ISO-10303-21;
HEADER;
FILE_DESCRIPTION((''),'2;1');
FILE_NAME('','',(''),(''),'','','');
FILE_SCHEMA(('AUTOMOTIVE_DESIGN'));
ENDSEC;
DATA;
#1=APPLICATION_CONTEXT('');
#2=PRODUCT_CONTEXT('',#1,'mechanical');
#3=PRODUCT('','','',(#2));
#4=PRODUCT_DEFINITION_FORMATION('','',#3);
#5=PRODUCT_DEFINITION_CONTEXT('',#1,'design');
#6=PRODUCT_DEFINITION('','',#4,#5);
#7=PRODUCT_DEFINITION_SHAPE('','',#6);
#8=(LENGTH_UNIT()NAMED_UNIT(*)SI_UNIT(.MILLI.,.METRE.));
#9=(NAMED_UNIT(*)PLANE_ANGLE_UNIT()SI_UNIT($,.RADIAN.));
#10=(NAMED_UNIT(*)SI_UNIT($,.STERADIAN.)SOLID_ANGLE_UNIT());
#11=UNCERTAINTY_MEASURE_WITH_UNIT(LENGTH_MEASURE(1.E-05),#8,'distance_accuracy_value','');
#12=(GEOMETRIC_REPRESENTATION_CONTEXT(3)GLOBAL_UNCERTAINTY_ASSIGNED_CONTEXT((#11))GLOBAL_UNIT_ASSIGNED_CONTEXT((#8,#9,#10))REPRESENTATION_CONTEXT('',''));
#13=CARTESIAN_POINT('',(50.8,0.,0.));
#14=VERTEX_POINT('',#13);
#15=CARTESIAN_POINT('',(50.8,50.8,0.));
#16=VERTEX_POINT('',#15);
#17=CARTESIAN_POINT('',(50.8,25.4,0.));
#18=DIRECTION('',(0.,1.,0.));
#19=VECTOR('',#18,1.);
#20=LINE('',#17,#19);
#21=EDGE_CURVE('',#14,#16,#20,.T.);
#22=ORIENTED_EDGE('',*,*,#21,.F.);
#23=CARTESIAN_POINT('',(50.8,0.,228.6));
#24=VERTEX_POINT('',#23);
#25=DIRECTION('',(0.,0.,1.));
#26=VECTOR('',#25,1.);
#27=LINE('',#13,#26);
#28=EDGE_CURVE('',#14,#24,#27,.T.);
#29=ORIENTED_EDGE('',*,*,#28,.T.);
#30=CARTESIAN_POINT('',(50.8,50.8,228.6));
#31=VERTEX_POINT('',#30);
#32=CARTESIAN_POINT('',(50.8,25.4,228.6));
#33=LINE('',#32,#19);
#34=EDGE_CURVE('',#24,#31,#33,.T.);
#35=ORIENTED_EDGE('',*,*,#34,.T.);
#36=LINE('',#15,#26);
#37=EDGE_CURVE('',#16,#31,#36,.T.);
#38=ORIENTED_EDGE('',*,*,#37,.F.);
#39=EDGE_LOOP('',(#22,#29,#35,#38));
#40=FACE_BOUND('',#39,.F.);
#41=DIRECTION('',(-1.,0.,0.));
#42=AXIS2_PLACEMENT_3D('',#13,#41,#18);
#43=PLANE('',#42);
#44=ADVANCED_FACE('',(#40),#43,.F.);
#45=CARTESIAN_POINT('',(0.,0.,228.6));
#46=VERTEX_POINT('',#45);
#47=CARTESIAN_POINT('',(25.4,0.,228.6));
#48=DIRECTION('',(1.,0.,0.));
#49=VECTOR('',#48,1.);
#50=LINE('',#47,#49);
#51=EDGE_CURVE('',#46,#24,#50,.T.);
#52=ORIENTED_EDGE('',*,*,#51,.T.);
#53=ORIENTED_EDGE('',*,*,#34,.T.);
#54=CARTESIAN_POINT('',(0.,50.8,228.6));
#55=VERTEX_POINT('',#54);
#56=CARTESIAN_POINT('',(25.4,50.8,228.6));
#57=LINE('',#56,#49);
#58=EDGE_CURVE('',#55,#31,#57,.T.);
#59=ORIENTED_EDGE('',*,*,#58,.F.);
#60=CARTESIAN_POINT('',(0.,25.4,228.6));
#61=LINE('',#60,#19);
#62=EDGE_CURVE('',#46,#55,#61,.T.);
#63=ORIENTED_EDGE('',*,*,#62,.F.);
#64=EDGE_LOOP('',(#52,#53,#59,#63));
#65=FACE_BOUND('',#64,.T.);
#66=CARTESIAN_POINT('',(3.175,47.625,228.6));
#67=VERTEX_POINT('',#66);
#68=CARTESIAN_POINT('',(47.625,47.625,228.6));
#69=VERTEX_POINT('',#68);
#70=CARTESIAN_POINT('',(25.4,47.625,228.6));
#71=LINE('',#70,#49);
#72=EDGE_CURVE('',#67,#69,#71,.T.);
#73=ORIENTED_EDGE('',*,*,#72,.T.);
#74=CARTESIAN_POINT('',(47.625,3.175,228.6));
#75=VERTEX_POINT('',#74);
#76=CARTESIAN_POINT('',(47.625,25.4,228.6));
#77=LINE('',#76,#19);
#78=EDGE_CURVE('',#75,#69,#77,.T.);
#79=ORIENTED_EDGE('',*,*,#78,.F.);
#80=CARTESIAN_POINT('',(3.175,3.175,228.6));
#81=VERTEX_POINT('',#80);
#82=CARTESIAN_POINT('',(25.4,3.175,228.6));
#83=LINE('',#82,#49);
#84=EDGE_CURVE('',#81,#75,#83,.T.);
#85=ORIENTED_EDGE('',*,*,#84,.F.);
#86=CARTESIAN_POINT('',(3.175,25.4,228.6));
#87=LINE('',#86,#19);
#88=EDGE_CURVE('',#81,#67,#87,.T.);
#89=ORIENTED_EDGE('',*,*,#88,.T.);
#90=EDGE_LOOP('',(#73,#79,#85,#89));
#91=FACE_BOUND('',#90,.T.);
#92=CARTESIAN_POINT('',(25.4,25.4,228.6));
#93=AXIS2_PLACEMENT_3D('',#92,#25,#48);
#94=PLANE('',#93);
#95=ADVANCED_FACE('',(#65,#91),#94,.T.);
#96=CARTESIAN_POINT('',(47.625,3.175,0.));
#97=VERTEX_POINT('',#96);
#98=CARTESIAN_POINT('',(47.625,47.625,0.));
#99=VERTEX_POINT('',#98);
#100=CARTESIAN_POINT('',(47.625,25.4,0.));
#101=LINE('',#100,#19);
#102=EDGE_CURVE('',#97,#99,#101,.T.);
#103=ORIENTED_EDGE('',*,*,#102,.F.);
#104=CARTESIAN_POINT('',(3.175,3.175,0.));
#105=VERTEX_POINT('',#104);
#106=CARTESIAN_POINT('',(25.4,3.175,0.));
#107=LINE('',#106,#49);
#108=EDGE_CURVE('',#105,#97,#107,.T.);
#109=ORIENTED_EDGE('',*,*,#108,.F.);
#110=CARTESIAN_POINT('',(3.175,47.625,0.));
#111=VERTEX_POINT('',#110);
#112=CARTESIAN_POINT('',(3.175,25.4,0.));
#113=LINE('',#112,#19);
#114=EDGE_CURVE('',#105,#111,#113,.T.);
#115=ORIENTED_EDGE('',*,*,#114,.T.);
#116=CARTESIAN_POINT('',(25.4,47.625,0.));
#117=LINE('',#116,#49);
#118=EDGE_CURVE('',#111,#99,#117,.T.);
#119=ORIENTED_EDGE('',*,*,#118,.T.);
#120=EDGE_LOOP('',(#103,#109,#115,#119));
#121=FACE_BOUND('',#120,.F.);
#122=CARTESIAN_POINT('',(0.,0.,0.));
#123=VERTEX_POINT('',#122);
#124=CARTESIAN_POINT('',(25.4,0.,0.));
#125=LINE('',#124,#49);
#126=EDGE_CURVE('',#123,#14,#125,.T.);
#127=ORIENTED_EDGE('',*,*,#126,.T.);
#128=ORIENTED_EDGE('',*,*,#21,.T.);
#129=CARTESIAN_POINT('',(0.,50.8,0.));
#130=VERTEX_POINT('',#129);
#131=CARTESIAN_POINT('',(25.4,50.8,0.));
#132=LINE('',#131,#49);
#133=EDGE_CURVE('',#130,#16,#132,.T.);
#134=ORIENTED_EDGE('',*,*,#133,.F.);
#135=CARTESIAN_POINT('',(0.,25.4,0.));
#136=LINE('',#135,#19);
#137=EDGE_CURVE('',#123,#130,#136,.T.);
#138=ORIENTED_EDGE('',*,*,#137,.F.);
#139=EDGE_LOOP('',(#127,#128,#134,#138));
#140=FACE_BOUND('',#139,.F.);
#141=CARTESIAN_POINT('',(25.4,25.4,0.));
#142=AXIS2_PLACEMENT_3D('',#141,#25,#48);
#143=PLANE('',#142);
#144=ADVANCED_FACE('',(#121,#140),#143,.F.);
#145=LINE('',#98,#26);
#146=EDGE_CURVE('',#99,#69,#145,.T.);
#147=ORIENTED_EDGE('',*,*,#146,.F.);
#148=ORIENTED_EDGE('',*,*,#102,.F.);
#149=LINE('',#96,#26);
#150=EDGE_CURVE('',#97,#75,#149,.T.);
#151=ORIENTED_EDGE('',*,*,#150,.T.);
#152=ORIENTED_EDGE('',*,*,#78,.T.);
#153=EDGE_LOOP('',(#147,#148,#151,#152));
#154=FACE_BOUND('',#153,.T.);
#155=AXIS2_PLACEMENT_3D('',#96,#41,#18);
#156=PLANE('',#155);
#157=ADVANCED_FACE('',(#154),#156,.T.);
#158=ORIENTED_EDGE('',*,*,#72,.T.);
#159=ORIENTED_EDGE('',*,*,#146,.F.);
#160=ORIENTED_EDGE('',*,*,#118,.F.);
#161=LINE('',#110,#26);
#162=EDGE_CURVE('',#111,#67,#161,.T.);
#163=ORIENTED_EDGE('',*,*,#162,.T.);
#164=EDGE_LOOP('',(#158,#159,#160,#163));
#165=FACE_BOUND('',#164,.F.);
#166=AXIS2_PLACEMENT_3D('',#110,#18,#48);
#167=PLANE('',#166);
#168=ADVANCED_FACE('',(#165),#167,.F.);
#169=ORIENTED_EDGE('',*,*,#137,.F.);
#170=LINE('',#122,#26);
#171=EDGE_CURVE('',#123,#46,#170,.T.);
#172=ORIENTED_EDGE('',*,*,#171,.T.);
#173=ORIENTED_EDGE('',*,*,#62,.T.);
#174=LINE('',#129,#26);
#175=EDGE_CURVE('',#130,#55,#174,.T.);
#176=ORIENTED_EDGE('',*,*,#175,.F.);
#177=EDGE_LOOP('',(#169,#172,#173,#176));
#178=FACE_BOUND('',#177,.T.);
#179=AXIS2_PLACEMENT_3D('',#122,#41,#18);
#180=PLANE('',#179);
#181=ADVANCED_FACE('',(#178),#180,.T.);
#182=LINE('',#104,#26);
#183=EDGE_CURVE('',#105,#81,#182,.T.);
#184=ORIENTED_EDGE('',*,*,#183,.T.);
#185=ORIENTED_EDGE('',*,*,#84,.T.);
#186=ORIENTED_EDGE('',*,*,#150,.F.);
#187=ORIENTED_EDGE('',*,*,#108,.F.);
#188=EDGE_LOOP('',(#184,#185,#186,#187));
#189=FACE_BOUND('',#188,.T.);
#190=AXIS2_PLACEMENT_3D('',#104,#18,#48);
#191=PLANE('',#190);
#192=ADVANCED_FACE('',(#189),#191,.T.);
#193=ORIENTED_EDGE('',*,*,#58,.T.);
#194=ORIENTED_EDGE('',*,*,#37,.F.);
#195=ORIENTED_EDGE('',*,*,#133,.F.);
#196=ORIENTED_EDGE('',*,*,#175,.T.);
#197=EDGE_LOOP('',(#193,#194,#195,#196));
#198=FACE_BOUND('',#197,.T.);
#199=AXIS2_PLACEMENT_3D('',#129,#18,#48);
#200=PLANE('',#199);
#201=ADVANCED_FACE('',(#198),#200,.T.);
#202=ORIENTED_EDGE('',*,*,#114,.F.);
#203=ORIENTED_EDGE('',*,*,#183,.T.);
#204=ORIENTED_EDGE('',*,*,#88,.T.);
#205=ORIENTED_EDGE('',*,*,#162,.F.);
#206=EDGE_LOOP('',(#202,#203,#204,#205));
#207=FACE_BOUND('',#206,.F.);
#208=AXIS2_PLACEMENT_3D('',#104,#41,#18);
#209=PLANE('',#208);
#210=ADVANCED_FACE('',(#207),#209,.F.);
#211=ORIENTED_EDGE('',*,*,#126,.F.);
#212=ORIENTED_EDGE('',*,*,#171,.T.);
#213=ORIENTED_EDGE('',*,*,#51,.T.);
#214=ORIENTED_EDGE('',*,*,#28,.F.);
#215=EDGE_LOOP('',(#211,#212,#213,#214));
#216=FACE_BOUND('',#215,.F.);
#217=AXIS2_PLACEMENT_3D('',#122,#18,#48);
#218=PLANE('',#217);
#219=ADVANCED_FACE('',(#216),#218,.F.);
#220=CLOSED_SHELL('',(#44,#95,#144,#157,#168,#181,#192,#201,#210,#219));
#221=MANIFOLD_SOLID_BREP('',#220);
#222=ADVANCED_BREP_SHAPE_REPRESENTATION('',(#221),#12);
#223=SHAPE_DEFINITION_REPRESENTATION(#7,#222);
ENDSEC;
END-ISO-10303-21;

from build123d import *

# Parameters (mm, degrees)
SKETCH1_W           = 50.8
SKETCH1_H           = 50.8
SKETCH1_W_2         = 44.45
SKETCH1_H_2         = 44.45
BOSS_EXTRUDE1_DEPTH = 228.6


with BuildPart() as part:
    # Sketch1 → Boss-Extrude1 (new body)
    with BuildSketch(Plane.XY):
        with Locations((25.4, 25.4)):
            Rectangle(SKETCH1_W, SKETCH1_H)
        with Locations((25.4, 25.4)):
            Rectangle(SKETCH1_W_2, SKETCH1_H_2, mode=Mode.SUBTRACT)
    extrude(amount=BOSS_EXTRUDE1_DEPTH)


solid = part.part
